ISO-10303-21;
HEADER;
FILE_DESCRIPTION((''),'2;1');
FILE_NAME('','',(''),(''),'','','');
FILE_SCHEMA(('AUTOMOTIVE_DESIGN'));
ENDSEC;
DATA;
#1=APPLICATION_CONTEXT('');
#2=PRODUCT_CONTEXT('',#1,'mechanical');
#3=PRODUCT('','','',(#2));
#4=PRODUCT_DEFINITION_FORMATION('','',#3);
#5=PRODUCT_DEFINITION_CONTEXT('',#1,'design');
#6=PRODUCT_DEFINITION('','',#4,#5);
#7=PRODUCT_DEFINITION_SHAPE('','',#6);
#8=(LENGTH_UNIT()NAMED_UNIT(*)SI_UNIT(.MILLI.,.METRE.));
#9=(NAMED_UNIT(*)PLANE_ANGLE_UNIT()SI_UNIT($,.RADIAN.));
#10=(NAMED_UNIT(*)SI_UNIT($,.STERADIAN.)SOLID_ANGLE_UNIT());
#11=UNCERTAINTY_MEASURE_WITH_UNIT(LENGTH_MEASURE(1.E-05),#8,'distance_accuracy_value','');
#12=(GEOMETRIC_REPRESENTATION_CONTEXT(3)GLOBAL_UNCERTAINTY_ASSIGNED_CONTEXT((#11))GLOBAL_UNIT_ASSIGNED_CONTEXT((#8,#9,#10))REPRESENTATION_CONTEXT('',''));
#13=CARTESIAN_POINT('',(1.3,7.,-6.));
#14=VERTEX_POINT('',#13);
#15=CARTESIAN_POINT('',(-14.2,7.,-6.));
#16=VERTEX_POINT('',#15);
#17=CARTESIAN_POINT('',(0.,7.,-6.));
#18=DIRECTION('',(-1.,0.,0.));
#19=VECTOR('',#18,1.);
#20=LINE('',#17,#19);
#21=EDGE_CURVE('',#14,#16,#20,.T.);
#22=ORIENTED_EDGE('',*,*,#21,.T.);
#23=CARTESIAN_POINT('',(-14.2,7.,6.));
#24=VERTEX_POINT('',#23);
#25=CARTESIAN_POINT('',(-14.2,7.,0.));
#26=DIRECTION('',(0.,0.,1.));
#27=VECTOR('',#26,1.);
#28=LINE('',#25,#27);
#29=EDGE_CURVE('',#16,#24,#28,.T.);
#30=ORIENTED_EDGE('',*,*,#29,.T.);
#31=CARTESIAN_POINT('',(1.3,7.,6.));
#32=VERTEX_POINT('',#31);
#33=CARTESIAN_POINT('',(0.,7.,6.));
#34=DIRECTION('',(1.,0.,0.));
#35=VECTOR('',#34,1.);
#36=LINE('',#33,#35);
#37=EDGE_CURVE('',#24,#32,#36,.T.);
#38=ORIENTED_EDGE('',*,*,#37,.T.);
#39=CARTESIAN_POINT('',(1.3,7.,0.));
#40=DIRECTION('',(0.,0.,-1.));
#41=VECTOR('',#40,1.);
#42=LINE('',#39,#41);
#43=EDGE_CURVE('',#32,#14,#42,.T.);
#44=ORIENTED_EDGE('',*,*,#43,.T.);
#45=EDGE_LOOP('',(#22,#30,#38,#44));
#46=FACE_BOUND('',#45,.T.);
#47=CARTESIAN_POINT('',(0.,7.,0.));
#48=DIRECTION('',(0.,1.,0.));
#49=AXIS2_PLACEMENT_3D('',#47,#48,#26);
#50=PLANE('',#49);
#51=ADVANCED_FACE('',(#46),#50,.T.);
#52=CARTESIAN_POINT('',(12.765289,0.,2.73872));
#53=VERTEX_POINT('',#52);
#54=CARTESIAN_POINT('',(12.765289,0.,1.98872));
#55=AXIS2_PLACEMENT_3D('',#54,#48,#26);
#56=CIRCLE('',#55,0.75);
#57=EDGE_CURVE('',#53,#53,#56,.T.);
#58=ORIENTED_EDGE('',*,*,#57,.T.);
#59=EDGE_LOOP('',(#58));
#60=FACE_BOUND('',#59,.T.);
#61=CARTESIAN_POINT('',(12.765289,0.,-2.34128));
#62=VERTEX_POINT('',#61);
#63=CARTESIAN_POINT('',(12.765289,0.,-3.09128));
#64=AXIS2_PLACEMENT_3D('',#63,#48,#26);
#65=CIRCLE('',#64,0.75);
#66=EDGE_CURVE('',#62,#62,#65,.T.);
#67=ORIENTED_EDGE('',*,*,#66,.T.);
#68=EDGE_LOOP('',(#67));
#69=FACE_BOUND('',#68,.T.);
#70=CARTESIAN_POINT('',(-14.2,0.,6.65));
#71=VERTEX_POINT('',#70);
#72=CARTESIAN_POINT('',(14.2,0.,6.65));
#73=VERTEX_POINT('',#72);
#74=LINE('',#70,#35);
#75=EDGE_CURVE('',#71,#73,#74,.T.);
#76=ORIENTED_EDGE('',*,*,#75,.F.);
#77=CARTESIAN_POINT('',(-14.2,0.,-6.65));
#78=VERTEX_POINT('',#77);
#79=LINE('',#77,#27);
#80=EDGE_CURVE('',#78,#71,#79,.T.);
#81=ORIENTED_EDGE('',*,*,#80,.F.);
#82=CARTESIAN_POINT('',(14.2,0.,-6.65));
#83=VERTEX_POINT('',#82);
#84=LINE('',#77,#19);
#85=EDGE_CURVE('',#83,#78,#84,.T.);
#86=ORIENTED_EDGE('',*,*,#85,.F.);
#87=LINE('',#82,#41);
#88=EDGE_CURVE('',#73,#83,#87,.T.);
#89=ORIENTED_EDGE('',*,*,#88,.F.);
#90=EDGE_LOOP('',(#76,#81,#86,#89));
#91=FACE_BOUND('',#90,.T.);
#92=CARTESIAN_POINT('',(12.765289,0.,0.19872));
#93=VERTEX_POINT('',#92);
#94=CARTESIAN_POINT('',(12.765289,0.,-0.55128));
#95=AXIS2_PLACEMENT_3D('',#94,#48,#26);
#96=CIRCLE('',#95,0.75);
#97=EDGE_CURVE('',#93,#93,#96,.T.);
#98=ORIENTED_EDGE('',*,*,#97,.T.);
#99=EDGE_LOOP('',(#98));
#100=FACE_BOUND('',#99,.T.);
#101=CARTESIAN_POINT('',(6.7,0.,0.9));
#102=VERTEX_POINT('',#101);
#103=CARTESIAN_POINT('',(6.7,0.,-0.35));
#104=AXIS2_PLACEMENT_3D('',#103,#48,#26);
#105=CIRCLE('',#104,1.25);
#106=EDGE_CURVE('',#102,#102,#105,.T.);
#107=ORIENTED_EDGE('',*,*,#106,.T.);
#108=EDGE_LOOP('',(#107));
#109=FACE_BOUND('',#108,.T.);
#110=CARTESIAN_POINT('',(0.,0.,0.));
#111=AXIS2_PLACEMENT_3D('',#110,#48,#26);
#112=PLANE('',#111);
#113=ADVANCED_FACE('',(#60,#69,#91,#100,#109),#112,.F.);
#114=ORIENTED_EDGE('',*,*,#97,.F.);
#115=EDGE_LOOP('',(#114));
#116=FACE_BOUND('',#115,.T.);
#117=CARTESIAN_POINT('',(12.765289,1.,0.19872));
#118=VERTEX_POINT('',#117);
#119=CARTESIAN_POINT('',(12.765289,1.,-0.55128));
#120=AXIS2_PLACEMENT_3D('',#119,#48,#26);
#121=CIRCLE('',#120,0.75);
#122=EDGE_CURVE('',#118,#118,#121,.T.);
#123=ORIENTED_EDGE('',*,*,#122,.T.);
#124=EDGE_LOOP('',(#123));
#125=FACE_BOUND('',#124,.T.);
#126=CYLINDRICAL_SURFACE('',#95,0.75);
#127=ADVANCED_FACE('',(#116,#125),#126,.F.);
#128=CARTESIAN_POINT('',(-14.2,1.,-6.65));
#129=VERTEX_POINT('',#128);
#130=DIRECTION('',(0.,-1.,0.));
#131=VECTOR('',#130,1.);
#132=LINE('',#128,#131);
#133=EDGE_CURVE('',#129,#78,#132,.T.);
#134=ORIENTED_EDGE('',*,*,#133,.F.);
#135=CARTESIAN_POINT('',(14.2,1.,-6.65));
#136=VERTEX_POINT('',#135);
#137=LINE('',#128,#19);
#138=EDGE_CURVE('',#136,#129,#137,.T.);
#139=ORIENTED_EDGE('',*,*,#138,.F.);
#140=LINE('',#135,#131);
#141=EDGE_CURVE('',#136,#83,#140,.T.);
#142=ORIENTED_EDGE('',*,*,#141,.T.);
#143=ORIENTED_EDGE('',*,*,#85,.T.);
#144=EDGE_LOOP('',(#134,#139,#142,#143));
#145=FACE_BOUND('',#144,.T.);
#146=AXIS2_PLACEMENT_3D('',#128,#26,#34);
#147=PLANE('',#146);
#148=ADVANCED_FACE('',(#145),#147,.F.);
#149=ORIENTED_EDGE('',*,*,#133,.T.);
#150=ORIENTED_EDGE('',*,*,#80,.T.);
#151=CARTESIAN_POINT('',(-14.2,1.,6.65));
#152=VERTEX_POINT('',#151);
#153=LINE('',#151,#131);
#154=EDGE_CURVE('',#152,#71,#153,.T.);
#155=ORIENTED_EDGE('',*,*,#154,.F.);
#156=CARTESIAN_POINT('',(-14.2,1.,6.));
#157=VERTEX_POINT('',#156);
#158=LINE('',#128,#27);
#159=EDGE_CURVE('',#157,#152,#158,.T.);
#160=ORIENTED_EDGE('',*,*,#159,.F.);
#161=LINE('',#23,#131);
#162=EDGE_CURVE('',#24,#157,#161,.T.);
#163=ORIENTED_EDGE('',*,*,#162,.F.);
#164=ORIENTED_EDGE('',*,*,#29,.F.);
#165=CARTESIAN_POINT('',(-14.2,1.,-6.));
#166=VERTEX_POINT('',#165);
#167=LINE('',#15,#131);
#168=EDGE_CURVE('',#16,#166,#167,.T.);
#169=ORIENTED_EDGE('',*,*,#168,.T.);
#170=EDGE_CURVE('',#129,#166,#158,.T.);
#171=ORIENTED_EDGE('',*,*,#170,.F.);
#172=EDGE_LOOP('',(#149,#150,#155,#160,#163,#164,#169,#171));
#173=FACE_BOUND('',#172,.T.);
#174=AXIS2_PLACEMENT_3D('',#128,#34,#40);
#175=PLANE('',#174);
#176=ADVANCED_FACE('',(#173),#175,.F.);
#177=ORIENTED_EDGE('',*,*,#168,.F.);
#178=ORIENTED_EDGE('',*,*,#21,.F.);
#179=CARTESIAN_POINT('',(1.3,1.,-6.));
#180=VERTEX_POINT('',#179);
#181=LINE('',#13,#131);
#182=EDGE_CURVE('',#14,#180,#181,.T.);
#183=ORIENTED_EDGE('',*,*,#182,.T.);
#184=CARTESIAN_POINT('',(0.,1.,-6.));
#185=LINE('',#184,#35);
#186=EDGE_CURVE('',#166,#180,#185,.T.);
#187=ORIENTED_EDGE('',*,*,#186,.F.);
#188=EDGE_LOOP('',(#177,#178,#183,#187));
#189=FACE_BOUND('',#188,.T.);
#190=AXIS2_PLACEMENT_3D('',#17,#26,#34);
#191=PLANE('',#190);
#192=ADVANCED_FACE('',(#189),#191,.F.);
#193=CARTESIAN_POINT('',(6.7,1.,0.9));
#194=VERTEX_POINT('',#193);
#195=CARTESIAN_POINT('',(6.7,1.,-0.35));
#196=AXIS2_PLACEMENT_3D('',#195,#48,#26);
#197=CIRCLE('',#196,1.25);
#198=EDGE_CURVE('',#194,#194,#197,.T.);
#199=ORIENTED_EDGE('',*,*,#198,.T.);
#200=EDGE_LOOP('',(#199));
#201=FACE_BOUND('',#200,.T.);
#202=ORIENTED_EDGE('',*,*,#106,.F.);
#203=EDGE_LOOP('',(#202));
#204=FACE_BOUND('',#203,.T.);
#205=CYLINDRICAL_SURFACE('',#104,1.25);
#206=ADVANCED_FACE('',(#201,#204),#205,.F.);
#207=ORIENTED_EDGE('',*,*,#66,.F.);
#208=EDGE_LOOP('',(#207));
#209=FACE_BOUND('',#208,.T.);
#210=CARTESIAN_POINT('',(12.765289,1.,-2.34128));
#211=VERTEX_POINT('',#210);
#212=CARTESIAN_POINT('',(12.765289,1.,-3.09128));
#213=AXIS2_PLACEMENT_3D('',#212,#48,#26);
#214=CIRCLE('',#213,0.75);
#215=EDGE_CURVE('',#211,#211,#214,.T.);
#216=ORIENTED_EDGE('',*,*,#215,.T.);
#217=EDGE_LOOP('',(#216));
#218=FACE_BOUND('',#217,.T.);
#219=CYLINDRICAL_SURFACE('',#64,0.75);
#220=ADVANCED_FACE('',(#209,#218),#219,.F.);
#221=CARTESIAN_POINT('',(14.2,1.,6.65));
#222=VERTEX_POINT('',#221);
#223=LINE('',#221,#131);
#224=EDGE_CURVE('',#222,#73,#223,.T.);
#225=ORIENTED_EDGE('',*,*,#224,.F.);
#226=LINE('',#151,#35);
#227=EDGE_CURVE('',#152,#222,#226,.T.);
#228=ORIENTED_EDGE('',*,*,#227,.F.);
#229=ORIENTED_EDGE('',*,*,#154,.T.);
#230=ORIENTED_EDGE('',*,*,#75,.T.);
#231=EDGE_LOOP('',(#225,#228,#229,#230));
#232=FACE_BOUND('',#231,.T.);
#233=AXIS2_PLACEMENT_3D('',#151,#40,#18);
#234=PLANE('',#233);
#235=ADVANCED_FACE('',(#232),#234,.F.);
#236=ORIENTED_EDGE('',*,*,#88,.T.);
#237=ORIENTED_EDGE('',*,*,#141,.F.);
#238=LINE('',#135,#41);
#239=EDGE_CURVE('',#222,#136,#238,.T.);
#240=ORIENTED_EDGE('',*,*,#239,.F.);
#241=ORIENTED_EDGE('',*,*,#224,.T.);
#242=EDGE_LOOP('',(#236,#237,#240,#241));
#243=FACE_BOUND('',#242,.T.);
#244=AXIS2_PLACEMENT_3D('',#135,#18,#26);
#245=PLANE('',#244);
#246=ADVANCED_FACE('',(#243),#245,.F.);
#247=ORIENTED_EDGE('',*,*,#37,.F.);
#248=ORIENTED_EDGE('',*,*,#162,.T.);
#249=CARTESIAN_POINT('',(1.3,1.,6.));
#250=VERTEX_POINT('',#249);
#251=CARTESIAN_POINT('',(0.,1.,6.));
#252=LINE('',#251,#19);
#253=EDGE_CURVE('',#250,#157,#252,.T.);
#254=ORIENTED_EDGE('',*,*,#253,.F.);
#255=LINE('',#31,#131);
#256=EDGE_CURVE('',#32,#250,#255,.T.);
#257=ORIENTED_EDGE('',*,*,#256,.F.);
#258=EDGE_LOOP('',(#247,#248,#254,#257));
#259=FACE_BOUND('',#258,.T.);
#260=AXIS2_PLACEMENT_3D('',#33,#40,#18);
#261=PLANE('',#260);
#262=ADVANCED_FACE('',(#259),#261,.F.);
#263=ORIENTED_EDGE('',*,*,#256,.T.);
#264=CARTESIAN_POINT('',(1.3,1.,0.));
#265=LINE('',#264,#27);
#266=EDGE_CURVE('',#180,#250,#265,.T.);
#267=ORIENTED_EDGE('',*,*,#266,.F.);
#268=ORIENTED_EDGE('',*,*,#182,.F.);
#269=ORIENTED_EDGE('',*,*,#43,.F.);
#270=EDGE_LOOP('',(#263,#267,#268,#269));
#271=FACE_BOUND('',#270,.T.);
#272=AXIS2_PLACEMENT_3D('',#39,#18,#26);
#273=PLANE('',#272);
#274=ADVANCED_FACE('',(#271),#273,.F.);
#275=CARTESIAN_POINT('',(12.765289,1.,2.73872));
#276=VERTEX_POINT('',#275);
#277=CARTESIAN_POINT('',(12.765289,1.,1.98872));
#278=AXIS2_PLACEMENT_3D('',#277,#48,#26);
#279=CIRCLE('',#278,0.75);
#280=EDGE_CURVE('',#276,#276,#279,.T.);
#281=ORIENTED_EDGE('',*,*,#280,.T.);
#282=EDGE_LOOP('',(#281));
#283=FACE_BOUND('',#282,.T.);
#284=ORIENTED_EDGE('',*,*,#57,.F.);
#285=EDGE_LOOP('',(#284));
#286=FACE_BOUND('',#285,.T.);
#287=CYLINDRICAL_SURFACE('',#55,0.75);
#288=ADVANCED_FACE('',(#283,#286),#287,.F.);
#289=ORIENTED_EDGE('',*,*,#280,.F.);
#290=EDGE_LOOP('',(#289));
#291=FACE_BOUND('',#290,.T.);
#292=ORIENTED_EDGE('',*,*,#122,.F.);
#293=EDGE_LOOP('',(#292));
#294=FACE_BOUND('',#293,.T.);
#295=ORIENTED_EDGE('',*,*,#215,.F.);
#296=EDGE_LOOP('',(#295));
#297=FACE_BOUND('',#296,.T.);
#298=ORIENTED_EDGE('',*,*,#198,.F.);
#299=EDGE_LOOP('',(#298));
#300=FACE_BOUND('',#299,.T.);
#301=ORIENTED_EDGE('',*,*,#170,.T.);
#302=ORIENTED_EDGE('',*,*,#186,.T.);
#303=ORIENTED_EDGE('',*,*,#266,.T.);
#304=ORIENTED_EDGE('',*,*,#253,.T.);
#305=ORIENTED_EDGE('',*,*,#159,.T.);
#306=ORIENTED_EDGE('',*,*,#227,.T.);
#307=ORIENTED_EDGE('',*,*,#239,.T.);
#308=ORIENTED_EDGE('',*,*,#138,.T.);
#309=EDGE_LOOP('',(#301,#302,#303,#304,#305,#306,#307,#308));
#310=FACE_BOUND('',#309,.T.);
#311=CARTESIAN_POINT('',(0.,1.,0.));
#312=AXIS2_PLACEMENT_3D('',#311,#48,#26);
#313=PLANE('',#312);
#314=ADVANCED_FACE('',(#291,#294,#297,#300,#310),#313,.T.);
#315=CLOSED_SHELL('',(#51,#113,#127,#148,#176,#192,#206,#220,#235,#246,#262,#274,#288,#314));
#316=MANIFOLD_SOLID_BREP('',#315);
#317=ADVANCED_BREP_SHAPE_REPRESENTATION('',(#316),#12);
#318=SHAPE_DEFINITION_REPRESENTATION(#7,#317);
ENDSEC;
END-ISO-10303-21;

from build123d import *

# Parameters (mm, degrees)
SKETCH_1_W             = 28.4
SKETCH_1_H             = 13.3
EXTRUDE_1_DEPTH        = 1
SKETCH_2_R             = 1.25
CUT_EXTRUDE_1_DEPTH    = 2
EXTRUDE_START          = -1
SKETCH_3_W             = 15.5
SKETCH_3_H             = 12
EXTRUDE_2_DEPTH        = 7
SKETCH_4_R             = 0.75
CUT_EXTRUDE_2_DEPTH    = 2
PATTERN_LINEAR_1_COUNT = 3
PATTERN_LINEAR_1_PITCH = 2.54


with BuildPart() as part:
    # 草图1 → 凸台-拉伸1 (new body)
    with BuildSketch(Plane(origin=(0, 0, 0), x_dir=(1, 0, 0), z_dir=(0, 1, 0))):
        Rectangle(SKETCH_1_W, SKETCH_1_H)
    extrude(amount=EXTRUDE_1_DEPTH)

    # 草图2 → 切除-拉伸1 (cut, through all)
    with BuildSketch(Plane(origin=(0, 1, 0), x_dir=(1, 0, 0), z_dir=(0, 1, 0))):
        with Locations((6.7, 0.35)):
            Circle(SKETCH_2_R)
    extrude(amount=-CUT_EXTRUDE_1_DEPTH, mode=Mode.SUBTRACT)

    # 草图3 → 凸台-拉伸2 (add)
    with BuildSketch(Plane(origin=(0, 1, 0), x_dir=(1, 0, 0), z_dir=(0, 1, 0)).offset(EXTRUDE_START)):
        with Locations((-6.45, 0)):
            Rectangle(SKETCH_3_W, SKETCH_3_H)
    extrude(amount=EXTRUDE_2_DEPTH)

    # 草图4 → 切除-拉伸2 (cut, through all)
    with BuildSketch(Plane(origin=(0, 1, 0), x_dir=(1, 0, 0), z_dir=(0, 1, 0))):
        with Locations((12.765289475, 3.091279596)):
            Circle(SKETCH_4_R)
    cut_extrude_2 = extrude(amount=-CUT_EXTRUDE_2_DEPTH, mode=Mode.SUBTRACT)

    # 阵列(线性)1: 切除-拉伸2 ×3
    with Locations(*[(0, 0, i * PATTERN_LINEAR_1_PITCH) for i in range(1, PATTERN_LINEAR_1_COUNT)]):
        add(cut_extrude_2, mode=Mode.SUBTRACT)


solid = part.part
